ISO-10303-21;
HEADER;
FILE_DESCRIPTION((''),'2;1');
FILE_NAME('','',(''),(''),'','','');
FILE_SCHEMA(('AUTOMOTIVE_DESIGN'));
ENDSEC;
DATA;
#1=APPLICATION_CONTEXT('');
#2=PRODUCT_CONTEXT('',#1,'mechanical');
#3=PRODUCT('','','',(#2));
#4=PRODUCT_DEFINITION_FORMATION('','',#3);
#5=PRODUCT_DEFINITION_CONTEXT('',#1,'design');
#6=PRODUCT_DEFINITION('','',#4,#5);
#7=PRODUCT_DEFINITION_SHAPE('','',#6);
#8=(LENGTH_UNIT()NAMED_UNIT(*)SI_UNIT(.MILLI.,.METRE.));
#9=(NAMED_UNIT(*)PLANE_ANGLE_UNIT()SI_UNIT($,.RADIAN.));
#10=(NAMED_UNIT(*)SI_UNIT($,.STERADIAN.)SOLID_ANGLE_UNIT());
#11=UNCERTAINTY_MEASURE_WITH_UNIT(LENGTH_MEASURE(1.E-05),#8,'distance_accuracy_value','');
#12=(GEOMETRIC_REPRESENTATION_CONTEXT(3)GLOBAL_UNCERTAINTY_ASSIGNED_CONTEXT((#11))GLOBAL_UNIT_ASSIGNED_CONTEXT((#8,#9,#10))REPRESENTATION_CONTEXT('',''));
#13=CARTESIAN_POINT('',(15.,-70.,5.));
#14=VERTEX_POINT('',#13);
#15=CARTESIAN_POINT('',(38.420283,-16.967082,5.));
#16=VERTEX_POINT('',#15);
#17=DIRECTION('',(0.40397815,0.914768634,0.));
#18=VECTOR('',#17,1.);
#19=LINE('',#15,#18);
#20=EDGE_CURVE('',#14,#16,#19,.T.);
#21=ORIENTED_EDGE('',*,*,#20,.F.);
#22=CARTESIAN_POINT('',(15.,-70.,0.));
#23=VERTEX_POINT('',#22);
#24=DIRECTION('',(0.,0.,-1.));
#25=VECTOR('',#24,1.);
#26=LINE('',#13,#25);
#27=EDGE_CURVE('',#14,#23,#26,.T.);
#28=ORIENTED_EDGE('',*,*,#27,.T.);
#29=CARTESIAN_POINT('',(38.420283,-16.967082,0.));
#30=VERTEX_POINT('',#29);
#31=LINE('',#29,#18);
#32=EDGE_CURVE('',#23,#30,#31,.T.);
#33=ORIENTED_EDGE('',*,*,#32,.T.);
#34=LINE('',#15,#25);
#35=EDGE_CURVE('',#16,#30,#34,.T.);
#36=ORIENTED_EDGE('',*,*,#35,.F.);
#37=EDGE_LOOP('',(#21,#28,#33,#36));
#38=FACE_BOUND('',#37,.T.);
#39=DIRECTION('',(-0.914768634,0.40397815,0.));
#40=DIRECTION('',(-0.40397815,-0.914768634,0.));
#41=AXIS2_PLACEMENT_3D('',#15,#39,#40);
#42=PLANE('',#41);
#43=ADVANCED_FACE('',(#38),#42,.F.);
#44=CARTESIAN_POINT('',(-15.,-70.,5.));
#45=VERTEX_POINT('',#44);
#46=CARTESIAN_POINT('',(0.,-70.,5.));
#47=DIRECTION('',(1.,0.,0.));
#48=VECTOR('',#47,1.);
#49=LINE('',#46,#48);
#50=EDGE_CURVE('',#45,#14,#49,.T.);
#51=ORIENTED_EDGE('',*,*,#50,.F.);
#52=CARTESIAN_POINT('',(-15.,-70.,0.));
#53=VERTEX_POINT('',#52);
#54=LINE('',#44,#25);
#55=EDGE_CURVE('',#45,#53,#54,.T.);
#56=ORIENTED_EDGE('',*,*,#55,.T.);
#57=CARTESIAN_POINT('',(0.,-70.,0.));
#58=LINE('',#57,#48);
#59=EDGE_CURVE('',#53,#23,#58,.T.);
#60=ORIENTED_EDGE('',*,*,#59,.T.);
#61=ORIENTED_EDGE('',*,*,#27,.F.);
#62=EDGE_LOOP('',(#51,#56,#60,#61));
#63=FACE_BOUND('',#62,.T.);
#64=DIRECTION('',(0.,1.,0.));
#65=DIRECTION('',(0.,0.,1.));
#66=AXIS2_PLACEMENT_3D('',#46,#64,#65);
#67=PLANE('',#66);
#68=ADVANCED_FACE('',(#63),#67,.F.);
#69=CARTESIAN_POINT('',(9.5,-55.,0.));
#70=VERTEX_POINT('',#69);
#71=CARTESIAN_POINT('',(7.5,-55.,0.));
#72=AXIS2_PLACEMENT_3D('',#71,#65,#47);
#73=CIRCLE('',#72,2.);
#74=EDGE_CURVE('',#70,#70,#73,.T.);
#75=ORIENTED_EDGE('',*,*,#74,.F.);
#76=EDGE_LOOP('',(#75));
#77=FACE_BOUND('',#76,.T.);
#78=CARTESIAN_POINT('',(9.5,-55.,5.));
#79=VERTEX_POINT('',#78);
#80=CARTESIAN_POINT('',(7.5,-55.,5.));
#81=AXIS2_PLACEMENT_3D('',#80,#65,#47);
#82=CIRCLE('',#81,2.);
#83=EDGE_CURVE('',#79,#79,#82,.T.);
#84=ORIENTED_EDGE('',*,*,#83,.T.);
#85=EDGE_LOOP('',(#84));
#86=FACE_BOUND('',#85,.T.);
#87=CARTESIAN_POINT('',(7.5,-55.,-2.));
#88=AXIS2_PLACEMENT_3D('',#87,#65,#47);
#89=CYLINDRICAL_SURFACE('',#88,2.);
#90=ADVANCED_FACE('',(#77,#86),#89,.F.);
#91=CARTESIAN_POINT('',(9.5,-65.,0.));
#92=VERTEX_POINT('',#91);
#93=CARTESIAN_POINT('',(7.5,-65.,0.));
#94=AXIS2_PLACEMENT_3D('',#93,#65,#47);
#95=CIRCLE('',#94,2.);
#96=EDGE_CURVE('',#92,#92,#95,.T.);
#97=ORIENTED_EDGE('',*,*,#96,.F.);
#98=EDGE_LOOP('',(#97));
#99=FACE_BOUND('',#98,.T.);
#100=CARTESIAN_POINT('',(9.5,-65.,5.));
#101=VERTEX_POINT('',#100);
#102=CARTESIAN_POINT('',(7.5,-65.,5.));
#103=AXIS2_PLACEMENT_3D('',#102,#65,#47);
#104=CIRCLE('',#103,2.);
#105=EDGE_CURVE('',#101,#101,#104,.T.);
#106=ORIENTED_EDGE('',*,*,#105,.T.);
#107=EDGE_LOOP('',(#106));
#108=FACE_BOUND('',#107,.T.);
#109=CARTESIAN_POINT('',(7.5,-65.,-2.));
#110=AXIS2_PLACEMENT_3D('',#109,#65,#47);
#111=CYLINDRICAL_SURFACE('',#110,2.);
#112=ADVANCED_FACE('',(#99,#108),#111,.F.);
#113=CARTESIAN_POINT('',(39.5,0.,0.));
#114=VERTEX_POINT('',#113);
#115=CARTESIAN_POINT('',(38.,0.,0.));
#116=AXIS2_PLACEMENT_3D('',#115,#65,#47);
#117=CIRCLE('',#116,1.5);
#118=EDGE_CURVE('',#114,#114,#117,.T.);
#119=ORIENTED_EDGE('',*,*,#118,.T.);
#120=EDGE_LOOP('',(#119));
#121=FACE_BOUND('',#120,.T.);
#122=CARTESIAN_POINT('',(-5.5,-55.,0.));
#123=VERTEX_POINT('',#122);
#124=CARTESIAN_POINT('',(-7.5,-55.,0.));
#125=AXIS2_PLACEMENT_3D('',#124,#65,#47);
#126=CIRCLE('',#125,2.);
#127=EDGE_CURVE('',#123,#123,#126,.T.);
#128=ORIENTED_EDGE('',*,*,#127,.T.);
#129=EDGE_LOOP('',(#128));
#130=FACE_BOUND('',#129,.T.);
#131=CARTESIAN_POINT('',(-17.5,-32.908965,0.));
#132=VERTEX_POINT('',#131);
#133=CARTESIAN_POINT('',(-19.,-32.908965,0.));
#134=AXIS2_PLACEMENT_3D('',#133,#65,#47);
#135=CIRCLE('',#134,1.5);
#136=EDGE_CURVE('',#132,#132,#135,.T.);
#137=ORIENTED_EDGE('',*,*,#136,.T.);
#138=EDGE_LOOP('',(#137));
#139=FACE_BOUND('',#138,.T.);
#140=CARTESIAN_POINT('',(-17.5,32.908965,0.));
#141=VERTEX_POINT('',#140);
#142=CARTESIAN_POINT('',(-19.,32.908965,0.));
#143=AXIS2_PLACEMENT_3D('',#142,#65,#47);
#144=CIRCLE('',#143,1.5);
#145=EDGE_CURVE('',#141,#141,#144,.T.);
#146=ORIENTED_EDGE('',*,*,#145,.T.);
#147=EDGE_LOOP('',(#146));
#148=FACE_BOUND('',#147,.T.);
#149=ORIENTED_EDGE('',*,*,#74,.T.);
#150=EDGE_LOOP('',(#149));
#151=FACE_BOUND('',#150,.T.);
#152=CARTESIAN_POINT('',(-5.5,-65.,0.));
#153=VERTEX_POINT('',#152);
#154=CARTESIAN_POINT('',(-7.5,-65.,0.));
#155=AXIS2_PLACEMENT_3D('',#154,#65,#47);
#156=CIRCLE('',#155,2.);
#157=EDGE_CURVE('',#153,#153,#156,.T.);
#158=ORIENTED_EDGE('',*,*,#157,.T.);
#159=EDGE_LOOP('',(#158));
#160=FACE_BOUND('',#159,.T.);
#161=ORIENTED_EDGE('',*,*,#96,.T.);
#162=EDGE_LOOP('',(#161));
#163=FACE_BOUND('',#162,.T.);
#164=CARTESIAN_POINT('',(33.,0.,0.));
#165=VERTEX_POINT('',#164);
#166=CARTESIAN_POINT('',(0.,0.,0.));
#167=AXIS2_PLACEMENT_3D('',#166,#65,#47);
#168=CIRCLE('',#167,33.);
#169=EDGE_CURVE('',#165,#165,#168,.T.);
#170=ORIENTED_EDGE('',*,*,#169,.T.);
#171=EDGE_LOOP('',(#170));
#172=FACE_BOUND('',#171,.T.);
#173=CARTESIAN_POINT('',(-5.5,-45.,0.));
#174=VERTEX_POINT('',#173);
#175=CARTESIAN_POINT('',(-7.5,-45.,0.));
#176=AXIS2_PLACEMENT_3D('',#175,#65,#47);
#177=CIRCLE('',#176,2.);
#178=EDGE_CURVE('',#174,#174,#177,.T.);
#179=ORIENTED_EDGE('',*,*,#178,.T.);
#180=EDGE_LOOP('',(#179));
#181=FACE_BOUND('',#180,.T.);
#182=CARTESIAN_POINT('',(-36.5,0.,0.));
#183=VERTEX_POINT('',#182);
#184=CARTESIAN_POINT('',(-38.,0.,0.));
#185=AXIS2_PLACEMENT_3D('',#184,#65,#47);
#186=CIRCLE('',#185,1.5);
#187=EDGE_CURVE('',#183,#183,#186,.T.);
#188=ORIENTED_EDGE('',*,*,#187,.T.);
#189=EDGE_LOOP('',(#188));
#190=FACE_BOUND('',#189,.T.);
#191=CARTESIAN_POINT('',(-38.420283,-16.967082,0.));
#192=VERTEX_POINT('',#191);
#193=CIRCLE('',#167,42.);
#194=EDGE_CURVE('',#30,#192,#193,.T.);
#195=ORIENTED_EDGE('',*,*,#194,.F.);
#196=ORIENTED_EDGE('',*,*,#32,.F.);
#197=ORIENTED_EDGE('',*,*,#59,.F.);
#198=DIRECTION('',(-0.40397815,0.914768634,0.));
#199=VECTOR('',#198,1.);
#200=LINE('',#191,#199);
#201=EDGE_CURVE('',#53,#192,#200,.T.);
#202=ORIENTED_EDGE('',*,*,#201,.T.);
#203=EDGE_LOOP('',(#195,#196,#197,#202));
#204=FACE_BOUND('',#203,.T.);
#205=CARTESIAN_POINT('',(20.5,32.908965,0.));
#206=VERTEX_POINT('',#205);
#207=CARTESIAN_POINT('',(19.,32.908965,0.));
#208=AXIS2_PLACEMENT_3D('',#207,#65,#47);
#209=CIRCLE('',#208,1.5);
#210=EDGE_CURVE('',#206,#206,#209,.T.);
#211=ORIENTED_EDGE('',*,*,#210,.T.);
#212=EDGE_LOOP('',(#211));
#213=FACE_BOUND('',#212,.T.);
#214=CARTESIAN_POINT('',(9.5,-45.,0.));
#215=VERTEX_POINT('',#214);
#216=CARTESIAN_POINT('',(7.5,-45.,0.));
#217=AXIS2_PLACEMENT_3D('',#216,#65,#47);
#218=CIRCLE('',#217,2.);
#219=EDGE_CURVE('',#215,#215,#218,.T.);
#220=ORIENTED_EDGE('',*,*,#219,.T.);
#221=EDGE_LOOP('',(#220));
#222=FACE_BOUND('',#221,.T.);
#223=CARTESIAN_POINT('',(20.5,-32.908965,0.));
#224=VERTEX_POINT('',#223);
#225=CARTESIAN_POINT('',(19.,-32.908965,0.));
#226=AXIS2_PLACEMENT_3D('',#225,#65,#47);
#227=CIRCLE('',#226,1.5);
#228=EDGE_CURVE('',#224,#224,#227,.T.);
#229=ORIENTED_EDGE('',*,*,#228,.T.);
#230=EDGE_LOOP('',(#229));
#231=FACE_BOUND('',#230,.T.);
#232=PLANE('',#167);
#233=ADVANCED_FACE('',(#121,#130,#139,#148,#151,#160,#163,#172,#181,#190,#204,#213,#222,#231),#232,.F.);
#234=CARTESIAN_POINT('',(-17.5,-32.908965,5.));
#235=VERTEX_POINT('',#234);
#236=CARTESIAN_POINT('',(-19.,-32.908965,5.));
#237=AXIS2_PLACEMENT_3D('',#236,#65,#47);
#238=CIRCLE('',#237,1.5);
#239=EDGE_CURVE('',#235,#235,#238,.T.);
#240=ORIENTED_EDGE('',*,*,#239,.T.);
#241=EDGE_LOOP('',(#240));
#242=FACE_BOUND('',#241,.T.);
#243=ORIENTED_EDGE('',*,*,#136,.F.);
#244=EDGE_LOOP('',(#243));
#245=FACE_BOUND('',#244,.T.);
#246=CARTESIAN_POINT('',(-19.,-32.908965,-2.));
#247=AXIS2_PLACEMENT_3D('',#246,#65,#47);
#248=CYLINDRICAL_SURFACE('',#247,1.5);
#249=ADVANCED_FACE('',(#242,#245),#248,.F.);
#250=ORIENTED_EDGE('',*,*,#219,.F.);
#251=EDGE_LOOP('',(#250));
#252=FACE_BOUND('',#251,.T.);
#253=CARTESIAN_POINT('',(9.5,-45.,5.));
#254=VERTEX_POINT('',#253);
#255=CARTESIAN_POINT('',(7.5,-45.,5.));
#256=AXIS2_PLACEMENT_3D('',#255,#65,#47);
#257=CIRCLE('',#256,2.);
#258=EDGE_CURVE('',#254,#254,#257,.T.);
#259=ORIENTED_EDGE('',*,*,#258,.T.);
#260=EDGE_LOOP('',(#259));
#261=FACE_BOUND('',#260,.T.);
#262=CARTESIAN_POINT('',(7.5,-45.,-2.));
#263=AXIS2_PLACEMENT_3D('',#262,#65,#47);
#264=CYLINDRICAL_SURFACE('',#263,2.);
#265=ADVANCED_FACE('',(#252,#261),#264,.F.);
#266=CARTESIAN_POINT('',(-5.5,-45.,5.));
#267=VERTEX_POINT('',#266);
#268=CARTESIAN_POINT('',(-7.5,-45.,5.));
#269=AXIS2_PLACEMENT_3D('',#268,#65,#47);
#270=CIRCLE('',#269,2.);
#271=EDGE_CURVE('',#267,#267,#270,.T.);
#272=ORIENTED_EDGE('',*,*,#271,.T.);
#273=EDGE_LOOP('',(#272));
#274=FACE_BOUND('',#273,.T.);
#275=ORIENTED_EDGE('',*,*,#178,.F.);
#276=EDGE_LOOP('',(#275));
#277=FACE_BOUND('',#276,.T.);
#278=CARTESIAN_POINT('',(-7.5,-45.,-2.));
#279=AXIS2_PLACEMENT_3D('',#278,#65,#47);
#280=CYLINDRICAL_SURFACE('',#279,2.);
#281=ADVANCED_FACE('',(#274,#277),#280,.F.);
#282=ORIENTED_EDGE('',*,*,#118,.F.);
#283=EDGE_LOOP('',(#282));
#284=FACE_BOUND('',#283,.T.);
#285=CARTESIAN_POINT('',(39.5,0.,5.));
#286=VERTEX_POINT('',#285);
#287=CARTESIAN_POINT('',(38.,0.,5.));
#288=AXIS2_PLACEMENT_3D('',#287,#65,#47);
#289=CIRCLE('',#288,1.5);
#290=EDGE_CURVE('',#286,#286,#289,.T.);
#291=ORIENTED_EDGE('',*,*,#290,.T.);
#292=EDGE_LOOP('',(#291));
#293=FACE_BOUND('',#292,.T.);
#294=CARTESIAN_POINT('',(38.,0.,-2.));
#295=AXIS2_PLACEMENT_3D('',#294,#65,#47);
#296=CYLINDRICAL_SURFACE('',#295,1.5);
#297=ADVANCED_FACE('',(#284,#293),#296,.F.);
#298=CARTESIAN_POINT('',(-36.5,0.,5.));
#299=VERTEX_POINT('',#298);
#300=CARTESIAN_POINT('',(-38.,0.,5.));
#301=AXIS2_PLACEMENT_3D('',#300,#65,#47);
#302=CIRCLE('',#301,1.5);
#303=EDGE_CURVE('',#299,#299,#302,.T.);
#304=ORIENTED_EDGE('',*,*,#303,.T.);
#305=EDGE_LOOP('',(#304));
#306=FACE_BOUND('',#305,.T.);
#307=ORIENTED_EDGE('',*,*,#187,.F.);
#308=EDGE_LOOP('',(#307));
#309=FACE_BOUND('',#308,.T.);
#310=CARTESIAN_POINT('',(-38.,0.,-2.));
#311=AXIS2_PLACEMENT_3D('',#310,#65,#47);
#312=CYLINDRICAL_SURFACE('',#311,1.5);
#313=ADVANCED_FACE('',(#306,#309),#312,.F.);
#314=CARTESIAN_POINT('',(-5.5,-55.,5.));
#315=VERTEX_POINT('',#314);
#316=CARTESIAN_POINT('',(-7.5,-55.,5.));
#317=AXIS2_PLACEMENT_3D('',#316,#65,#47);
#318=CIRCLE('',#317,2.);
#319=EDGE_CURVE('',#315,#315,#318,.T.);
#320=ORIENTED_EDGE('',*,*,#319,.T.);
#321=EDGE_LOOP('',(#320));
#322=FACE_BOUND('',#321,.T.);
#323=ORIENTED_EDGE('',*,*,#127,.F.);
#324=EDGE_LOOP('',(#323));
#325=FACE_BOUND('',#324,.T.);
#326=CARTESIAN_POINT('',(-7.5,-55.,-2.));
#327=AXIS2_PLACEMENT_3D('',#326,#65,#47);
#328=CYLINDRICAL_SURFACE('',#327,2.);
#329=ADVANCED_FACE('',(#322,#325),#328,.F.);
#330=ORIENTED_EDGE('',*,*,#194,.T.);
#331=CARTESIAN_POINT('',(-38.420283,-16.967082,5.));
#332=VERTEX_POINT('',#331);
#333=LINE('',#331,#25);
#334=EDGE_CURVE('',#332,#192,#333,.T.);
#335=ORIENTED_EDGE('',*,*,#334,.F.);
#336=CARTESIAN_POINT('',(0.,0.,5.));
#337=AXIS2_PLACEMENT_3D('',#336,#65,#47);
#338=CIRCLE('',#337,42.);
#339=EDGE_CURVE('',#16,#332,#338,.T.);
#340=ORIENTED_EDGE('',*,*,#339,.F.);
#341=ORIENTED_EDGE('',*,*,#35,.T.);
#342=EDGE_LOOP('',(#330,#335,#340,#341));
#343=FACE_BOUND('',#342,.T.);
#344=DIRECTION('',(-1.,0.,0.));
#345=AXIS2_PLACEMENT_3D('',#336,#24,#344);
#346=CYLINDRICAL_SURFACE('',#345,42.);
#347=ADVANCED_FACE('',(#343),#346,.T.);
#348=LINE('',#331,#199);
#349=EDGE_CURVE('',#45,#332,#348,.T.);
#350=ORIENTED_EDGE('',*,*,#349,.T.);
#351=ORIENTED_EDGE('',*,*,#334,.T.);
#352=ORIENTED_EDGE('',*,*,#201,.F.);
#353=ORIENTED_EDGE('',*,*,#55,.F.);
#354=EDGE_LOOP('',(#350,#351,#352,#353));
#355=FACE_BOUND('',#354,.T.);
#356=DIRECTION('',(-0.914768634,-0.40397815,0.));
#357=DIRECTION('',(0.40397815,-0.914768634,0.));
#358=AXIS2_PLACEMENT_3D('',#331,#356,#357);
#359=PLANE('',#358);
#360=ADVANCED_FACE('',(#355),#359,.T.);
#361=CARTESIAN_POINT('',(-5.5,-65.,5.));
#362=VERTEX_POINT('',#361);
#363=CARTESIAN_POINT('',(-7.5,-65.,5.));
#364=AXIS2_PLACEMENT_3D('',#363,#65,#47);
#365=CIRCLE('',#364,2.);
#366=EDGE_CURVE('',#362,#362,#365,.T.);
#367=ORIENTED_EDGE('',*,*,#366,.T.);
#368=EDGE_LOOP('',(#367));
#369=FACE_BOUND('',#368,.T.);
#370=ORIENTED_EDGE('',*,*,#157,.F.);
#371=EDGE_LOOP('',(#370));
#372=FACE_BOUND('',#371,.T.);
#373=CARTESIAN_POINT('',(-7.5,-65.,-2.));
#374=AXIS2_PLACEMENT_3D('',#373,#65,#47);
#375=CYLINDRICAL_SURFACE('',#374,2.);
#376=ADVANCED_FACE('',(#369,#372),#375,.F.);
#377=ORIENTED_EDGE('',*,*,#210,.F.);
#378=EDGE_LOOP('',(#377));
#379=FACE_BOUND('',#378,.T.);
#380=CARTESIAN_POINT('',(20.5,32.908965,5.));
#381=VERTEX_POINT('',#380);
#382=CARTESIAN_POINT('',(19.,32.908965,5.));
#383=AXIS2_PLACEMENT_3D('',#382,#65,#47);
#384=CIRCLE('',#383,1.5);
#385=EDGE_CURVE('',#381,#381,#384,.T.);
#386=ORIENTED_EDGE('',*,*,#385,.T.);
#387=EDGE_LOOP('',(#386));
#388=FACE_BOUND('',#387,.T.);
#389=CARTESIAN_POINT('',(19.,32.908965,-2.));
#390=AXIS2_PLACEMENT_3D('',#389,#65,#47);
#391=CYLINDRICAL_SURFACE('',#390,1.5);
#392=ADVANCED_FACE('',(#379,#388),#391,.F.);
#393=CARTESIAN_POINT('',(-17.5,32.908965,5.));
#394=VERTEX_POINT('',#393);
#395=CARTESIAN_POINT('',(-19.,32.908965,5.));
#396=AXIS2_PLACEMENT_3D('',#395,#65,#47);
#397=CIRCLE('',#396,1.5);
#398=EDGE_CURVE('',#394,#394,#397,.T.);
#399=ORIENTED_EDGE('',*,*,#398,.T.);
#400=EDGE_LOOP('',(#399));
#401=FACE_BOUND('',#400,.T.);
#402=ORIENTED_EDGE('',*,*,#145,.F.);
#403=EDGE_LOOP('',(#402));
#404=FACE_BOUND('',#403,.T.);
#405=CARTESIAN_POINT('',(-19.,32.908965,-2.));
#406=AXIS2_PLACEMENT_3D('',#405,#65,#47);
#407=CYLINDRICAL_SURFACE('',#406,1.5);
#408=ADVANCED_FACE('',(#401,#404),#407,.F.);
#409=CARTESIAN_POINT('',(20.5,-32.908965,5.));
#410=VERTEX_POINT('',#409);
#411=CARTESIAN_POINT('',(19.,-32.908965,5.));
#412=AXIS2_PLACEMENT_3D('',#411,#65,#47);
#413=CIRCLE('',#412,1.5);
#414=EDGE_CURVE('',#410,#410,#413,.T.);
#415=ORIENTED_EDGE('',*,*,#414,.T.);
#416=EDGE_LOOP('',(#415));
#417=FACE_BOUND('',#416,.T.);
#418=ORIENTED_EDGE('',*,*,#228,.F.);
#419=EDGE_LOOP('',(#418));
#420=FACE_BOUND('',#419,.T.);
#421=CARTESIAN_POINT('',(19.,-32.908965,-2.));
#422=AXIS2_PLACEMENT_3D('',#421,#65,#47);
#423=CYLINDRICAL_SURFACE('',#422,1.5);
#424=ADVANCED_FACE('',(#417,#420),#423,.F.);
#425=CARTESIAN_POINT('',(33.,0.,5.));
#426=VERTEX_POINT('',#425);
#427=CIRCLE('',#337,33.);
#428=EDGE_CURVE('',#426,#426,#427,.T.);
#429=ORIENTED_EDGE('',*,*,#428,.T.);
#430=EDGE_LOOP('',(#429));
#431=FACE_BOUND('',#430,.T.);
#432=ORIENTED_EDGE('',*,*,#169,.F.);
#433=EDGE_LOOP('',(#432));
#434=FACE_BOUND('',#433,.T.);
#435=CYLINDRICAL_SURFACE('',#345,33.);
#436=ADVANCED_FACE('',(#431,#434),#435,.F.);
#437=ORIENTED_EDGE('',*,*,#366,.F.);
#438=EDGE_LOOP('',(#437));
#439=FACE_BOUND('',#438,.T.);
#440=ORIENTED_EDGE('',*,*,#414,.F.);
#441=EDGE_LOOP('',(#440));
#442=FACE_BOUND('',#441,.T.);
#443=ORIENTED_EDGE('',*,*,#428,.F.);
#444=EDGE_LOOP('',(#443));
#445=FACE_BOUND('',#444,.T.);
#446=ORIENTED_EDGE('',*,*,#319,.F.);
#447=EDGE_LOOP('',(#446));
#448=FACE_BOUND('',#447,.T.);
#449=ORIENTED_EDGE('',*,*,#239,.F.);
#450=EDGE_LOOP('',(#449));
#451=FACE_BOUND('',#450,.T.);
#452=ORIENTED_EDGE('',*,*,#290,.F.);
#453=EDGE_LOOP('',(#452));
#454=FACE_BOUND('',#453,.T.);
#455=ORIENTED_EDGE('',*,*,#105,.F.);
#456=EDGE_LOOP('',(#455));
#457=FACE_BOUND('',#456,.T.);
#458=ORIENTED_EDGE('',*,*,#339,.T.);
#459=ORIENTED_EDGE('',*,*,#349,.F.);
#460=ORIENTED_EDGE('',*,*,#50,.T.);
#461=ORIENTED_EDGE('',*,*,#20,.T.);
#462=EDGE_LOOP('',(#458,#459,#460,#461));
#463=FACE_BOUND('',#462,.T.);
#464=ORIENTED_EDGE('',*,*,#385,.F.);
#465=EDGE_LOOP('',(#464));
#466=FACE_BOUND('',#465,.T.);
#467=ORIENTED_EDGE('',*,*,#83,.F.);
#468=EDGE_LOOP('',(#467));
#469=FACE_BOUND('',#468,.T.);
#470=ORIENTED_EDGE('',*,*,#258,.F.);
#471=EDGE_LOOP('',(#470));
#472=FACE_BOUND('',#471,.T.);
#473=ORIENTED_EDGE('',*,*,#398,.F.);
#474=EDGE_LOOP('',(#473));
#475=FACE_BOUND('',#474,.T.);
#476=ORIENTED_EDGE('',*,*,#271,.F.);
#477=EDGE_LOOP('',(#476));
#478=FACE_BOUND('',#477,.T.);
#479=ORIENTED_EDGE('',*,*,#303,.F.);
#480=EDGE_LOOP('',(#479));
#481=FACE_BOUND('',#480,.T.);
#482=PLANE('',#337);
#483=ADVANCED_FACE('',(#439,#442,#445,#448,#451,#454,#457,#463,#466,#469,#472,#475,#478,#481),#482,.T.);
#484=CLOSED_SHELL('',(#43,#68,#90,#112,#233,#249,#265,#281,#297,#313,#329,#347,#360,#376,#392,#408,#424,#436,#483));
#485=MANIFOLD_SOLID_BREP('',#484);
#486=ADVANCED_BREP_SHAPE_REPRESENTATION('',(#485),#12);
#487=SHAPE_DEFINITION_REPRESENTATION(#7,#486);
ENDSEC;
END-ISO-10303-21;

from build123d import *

# Parameters (mm, degrees)
SKETCH1_R           = 42
SKETCH1_R_2         = 33
BOSS_EXTRUDE1_DEPTH = 5
SKETCH9_R           = 1.5
CUT_EXTRUDE5_DEPTH  = 7
SKETCH10_R          = 2
CUT_EXTRUDE6_DEPTH  = 7


with BuildPart() as part:
    # Sketch1 → Boss-Extrude1 (new body)
    # profile 1 of 2: a face of its own
    with BuildSketch(Plane.XY):
        Circle(SKETCH1_R)
        Circle(SKETCH1_R_2, mode=Mode.SUBTRACT)
    # profile 2 of 2: a face of its own
    with BuildSketch(Plane.XY):
        with BuildLine():
            Line((-15, -70), (15, -70))
            Line((15, -70), (38.420282645, -16.96708229))
            ThreePointArc((38.420282645, -16.96708229), (0, -42), (-38.420282645, -16.96708229))
            Line((-38.420282645, -16.96708229), (-15, -70))
        make_face()
    extrude(amount=BOSS_EXTRUDE1_DEPTH)

    # Sketch9 → Cut-Extrude5 (cut)
    with BuildSketch(Plane.XY.offset(5)):
        with Locations((19, 32.908965344)):
            Circle(SKETCH9_R)
        with Locations((38, 0)):
            Circle(SKETCH9_R)
        with Locations((19, -32.908965344)):
            Circle(SKETCH9_R)
        with Locations((-19, -32.908965344)):
            Circle(SKETCH9_R)
        with Locations((-38, 0)):
            Circle(SKETCH9_R)
        with Locations((-19, 32.908965344)):
            Circle(SKETCH9_R)
    extrude(amount=-CUT_EXTRUDE5_DEPTH, mode=Mode.SUBTRACT)

    # Sketch10 → Cut-Extrude6 (cut)
    with BuildSketch(Plane.XY.offset(5)):
        with Locations((7.5, -55)):
            Circle(SKETCH10_R)
        with Locations((7.5, -65)):
            Circle(SKETCH10_R)
        with Locations((-7.5, -65)):
            Circle(SKETCH10_R)
        with Locations((-7.5, -55)):
            Circle(SKETCH10_R)
        with Locations((-7.5, -45)):
            Circle(SKETCH10_R)
        with Locations((7.5, -45)):
            Circle(SKETCH10_R)
    extrude(amount=-CUT_EXTRUDE6_DEPTH, mode=Mode.SUBTRACT)


solid = part.part
